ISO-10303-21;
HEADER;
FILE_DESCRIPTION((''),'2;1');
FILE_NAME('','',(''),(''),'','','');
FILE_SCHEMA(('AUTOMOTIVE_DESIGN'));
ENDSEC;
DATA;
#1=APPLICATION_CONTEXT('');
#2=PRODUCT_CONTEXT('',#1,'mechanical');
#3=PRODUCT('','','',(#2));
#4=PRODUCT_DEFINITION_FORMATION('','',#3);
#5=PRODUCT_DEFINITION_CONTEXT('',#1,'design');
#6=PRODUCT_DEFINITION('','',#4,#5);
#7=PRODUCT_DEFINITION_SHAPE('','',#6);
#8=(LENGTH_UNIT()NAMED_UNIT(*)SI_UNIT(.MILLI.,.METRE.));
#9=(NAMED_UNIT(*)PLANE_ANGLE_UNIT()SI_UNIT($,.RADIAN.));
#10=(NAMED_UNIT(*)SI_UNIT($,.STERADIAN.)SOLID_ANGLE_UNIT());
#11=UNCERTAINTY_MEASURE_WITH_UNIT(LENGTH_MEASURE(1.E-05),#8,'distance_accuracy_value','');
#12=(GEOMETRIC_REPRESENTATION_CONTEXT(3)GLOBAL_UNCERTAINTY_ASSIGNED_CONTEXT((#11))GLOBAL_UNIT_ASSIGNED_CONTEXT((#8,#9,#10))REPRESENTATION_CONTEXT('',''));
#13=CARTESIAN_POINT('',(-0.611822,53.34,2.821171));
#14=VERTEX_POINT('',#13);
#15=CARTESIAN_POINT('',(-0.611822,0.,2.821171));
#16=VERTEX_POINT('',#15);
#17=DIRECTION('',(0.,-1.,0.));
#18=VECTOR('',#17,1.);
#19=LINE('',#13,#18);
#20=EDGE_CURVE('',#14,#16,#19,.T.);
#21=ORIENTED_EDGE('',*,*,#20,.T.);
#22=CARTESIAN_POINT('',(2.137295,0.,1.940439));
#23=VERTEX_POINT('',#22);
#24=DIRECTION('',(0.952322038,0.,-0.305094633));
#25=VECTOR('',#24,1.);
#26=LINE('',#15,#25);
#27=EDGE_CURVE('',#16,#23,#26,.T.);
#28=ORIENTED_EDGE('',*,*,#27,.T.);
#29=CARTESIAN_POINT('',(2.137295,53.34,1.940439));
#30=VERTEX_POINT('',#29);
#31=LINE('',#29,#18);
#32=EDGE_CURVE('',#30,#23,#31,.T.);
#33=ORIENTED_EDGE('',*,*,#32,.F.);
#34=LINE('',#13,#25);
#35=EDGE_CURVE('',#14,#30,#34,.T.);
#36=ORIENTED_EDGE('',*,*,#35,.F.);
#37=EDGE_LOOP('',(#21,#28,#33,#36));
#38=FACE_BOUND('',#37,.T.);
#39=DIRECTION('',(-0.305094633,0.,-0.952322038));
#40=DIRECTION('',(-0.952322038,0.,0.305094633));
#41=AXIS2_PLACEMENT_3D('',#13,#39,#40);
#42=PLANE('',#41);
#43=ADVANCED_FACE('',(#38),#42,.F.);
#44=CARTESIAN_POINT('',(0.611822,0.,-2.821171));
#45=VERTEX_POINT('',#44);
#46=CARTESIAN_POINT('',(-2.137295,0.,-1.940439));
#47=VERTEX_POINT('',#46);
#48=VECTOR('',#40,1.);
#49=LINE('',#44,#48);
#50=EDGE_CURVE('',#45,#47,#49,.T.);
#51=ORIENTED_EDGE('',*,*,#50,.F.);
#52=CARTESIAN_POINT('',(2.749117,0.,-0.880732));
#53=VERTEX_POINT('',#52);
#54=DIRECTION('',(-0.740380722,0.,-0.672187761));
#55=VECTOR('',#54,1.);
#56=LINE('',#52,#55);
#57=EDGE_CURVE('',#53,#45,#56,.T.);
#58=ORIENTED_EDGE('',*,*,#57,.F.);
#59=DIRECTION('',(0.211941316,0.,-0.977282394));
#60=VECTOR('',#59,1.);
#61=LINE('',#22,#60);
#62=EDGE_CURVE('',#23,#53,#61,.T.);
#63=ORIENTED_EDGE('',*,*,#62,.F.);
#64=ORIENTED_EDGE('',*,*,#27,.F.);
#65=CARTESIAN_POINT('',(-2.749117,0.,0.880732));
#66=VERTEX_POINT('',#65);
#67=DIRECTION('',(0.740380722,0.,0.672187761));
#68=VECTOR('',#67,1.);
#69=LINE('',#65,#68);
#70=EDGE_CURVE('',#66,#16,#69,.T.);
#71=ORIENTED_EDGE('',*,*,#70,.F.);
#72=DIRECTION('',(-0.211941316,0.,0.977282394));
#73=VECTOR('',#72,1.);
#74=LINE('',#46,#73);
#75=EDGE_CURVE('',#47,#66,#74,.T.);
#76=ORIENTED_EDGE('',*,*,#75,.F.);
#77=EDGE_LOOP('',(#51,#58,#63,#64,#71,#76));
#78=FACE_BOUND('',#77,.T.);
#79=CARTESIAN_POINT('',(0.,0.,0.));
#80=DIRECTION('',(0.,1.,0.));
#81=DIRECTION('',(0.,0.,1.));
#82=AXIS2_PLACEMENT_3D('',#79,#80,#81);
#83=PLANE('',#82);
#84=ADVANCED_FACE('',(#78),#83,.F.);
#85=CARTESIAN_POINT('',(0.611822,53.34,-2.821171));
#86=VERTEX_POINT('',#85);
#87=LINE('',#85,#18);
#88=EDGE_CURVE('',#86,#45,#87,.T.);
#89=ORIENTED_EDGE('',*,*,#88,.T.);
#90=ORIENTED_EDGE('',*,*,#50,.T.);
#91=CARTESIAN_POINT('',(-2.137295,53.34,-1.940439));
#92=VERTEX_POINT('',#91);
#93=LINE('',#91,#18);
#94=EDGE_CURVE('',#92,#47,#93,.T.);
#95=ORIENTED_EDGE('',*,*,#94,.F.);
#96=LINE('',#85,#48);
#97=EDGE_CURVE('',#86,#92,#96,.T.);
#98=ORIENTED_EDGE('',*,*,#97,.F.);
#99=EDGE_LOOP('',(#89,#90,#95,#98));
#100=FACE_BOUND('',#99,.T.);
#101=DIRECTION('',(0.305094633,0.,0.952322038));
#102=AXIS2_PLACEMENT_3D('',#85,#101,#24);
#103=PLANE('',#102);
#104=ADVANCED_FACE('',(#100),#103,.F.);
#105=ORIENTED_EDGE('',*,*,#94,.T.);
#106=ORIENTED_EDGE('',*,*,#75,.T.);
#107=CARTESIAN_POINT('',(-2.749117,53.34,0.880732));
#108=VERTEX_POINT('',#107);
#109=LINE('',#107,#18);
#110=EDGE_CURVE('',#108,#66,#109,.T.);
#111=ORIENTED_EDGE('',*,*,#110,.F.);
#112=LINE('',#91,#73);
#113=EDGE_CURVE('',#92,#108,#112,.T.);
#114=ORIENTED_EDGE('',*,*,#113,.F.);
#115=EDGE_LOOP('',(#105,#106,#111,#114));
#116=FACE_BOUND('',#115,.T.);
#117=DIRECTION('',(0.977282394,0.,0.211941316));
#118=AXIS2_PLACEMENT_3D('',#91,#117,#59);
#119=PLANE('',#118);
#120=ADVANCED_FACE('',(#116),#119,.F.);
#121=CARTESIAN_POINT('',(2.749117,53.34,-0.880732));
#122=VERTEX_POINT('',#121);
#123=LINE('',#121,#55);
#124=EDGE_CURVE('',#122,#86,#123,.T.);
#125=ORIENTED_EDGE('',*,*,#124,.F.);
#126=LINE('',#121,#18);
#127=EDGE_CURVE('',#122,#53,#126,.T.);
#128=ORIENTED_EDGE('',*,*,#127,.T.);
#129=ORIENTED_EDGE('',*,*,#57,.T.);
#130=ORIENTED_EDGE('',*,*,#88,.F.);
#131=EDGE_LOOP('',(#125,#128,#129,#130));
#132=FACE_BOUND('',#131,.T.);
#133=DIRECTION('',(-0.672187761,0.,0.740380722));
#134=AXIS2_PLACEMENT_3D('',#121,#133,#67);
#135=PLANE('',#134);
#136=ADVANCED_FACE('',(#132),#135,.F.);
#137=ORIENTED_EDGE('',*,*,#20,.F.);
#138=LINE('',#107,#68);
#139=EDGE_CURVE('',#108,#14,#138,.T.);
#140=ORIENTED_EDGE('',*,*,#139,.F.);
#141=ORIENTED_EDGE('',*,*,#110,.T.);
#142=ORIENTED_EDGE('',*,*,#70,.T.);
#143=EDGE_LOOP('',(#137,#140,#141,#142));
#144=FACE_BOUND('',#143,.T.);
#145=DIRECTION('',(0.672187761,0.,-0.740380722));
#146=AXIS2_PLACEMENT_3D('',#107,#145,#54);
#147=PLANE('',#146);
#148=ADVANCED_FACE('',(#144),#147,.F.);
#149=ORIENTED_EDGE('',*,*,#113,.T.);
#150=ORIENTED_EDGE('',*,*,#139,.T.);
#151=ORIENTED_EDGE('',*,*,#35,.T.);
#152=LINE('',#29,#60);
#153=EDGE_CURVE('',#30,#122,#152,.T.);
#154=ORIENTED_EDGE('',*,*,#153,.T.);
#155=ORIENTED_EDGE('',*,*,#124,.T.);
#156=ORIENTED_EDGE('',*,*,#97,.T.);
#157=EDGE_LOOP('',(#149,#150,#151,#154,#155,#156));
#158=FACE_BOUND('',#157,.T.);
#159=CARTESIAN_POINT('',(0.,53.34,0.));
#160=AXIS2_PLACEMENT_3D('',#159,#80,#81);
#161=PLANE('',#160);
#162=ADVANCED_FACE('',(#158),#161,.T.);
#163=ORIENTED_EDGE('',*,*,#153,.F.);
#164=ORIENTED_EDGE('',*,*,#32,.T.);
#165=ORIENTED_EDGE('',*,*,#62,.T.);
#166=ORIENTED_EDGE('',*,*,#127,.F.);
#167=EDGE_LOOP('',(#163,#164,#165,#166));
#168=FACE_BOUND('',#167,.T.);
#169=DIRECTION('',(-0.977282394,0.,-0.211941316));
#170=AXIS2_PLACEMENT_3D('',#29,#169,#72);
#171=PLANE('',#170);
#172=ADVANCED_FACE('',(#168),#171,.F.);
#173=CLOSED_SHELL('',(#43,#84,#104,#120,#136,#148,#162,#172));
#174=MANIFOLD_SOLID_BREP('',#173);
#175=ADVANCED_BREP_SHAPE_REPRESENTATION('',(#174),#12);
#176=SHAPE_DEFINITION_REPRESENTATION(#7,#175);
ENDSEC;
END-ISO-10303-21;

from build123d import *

# Parameters (mm, degrees)
BOSS_EXTRUDE1_DEPTH = 53.34


with BuildPart() as part:
    # Sketch2 → Boss-Extrude1 (new body)
    with BuildSketch(Plane(origin=(0, 0, 0), x_dir=(1, 0, 0), z_dir=(0, 1, 0))):
        Polygon((2.137295047, -1.940438924), (2.749116926, 0.880732344), (0.611821879, 2.821171268), (-2.137295047, 1.940438924), (-2.749116926, -0.880732344), (-0.611821879, -2.821171268), align=None)
    extrude(amount=BOSS_EXTRUDE1_DEPTH)


solid = part.part
